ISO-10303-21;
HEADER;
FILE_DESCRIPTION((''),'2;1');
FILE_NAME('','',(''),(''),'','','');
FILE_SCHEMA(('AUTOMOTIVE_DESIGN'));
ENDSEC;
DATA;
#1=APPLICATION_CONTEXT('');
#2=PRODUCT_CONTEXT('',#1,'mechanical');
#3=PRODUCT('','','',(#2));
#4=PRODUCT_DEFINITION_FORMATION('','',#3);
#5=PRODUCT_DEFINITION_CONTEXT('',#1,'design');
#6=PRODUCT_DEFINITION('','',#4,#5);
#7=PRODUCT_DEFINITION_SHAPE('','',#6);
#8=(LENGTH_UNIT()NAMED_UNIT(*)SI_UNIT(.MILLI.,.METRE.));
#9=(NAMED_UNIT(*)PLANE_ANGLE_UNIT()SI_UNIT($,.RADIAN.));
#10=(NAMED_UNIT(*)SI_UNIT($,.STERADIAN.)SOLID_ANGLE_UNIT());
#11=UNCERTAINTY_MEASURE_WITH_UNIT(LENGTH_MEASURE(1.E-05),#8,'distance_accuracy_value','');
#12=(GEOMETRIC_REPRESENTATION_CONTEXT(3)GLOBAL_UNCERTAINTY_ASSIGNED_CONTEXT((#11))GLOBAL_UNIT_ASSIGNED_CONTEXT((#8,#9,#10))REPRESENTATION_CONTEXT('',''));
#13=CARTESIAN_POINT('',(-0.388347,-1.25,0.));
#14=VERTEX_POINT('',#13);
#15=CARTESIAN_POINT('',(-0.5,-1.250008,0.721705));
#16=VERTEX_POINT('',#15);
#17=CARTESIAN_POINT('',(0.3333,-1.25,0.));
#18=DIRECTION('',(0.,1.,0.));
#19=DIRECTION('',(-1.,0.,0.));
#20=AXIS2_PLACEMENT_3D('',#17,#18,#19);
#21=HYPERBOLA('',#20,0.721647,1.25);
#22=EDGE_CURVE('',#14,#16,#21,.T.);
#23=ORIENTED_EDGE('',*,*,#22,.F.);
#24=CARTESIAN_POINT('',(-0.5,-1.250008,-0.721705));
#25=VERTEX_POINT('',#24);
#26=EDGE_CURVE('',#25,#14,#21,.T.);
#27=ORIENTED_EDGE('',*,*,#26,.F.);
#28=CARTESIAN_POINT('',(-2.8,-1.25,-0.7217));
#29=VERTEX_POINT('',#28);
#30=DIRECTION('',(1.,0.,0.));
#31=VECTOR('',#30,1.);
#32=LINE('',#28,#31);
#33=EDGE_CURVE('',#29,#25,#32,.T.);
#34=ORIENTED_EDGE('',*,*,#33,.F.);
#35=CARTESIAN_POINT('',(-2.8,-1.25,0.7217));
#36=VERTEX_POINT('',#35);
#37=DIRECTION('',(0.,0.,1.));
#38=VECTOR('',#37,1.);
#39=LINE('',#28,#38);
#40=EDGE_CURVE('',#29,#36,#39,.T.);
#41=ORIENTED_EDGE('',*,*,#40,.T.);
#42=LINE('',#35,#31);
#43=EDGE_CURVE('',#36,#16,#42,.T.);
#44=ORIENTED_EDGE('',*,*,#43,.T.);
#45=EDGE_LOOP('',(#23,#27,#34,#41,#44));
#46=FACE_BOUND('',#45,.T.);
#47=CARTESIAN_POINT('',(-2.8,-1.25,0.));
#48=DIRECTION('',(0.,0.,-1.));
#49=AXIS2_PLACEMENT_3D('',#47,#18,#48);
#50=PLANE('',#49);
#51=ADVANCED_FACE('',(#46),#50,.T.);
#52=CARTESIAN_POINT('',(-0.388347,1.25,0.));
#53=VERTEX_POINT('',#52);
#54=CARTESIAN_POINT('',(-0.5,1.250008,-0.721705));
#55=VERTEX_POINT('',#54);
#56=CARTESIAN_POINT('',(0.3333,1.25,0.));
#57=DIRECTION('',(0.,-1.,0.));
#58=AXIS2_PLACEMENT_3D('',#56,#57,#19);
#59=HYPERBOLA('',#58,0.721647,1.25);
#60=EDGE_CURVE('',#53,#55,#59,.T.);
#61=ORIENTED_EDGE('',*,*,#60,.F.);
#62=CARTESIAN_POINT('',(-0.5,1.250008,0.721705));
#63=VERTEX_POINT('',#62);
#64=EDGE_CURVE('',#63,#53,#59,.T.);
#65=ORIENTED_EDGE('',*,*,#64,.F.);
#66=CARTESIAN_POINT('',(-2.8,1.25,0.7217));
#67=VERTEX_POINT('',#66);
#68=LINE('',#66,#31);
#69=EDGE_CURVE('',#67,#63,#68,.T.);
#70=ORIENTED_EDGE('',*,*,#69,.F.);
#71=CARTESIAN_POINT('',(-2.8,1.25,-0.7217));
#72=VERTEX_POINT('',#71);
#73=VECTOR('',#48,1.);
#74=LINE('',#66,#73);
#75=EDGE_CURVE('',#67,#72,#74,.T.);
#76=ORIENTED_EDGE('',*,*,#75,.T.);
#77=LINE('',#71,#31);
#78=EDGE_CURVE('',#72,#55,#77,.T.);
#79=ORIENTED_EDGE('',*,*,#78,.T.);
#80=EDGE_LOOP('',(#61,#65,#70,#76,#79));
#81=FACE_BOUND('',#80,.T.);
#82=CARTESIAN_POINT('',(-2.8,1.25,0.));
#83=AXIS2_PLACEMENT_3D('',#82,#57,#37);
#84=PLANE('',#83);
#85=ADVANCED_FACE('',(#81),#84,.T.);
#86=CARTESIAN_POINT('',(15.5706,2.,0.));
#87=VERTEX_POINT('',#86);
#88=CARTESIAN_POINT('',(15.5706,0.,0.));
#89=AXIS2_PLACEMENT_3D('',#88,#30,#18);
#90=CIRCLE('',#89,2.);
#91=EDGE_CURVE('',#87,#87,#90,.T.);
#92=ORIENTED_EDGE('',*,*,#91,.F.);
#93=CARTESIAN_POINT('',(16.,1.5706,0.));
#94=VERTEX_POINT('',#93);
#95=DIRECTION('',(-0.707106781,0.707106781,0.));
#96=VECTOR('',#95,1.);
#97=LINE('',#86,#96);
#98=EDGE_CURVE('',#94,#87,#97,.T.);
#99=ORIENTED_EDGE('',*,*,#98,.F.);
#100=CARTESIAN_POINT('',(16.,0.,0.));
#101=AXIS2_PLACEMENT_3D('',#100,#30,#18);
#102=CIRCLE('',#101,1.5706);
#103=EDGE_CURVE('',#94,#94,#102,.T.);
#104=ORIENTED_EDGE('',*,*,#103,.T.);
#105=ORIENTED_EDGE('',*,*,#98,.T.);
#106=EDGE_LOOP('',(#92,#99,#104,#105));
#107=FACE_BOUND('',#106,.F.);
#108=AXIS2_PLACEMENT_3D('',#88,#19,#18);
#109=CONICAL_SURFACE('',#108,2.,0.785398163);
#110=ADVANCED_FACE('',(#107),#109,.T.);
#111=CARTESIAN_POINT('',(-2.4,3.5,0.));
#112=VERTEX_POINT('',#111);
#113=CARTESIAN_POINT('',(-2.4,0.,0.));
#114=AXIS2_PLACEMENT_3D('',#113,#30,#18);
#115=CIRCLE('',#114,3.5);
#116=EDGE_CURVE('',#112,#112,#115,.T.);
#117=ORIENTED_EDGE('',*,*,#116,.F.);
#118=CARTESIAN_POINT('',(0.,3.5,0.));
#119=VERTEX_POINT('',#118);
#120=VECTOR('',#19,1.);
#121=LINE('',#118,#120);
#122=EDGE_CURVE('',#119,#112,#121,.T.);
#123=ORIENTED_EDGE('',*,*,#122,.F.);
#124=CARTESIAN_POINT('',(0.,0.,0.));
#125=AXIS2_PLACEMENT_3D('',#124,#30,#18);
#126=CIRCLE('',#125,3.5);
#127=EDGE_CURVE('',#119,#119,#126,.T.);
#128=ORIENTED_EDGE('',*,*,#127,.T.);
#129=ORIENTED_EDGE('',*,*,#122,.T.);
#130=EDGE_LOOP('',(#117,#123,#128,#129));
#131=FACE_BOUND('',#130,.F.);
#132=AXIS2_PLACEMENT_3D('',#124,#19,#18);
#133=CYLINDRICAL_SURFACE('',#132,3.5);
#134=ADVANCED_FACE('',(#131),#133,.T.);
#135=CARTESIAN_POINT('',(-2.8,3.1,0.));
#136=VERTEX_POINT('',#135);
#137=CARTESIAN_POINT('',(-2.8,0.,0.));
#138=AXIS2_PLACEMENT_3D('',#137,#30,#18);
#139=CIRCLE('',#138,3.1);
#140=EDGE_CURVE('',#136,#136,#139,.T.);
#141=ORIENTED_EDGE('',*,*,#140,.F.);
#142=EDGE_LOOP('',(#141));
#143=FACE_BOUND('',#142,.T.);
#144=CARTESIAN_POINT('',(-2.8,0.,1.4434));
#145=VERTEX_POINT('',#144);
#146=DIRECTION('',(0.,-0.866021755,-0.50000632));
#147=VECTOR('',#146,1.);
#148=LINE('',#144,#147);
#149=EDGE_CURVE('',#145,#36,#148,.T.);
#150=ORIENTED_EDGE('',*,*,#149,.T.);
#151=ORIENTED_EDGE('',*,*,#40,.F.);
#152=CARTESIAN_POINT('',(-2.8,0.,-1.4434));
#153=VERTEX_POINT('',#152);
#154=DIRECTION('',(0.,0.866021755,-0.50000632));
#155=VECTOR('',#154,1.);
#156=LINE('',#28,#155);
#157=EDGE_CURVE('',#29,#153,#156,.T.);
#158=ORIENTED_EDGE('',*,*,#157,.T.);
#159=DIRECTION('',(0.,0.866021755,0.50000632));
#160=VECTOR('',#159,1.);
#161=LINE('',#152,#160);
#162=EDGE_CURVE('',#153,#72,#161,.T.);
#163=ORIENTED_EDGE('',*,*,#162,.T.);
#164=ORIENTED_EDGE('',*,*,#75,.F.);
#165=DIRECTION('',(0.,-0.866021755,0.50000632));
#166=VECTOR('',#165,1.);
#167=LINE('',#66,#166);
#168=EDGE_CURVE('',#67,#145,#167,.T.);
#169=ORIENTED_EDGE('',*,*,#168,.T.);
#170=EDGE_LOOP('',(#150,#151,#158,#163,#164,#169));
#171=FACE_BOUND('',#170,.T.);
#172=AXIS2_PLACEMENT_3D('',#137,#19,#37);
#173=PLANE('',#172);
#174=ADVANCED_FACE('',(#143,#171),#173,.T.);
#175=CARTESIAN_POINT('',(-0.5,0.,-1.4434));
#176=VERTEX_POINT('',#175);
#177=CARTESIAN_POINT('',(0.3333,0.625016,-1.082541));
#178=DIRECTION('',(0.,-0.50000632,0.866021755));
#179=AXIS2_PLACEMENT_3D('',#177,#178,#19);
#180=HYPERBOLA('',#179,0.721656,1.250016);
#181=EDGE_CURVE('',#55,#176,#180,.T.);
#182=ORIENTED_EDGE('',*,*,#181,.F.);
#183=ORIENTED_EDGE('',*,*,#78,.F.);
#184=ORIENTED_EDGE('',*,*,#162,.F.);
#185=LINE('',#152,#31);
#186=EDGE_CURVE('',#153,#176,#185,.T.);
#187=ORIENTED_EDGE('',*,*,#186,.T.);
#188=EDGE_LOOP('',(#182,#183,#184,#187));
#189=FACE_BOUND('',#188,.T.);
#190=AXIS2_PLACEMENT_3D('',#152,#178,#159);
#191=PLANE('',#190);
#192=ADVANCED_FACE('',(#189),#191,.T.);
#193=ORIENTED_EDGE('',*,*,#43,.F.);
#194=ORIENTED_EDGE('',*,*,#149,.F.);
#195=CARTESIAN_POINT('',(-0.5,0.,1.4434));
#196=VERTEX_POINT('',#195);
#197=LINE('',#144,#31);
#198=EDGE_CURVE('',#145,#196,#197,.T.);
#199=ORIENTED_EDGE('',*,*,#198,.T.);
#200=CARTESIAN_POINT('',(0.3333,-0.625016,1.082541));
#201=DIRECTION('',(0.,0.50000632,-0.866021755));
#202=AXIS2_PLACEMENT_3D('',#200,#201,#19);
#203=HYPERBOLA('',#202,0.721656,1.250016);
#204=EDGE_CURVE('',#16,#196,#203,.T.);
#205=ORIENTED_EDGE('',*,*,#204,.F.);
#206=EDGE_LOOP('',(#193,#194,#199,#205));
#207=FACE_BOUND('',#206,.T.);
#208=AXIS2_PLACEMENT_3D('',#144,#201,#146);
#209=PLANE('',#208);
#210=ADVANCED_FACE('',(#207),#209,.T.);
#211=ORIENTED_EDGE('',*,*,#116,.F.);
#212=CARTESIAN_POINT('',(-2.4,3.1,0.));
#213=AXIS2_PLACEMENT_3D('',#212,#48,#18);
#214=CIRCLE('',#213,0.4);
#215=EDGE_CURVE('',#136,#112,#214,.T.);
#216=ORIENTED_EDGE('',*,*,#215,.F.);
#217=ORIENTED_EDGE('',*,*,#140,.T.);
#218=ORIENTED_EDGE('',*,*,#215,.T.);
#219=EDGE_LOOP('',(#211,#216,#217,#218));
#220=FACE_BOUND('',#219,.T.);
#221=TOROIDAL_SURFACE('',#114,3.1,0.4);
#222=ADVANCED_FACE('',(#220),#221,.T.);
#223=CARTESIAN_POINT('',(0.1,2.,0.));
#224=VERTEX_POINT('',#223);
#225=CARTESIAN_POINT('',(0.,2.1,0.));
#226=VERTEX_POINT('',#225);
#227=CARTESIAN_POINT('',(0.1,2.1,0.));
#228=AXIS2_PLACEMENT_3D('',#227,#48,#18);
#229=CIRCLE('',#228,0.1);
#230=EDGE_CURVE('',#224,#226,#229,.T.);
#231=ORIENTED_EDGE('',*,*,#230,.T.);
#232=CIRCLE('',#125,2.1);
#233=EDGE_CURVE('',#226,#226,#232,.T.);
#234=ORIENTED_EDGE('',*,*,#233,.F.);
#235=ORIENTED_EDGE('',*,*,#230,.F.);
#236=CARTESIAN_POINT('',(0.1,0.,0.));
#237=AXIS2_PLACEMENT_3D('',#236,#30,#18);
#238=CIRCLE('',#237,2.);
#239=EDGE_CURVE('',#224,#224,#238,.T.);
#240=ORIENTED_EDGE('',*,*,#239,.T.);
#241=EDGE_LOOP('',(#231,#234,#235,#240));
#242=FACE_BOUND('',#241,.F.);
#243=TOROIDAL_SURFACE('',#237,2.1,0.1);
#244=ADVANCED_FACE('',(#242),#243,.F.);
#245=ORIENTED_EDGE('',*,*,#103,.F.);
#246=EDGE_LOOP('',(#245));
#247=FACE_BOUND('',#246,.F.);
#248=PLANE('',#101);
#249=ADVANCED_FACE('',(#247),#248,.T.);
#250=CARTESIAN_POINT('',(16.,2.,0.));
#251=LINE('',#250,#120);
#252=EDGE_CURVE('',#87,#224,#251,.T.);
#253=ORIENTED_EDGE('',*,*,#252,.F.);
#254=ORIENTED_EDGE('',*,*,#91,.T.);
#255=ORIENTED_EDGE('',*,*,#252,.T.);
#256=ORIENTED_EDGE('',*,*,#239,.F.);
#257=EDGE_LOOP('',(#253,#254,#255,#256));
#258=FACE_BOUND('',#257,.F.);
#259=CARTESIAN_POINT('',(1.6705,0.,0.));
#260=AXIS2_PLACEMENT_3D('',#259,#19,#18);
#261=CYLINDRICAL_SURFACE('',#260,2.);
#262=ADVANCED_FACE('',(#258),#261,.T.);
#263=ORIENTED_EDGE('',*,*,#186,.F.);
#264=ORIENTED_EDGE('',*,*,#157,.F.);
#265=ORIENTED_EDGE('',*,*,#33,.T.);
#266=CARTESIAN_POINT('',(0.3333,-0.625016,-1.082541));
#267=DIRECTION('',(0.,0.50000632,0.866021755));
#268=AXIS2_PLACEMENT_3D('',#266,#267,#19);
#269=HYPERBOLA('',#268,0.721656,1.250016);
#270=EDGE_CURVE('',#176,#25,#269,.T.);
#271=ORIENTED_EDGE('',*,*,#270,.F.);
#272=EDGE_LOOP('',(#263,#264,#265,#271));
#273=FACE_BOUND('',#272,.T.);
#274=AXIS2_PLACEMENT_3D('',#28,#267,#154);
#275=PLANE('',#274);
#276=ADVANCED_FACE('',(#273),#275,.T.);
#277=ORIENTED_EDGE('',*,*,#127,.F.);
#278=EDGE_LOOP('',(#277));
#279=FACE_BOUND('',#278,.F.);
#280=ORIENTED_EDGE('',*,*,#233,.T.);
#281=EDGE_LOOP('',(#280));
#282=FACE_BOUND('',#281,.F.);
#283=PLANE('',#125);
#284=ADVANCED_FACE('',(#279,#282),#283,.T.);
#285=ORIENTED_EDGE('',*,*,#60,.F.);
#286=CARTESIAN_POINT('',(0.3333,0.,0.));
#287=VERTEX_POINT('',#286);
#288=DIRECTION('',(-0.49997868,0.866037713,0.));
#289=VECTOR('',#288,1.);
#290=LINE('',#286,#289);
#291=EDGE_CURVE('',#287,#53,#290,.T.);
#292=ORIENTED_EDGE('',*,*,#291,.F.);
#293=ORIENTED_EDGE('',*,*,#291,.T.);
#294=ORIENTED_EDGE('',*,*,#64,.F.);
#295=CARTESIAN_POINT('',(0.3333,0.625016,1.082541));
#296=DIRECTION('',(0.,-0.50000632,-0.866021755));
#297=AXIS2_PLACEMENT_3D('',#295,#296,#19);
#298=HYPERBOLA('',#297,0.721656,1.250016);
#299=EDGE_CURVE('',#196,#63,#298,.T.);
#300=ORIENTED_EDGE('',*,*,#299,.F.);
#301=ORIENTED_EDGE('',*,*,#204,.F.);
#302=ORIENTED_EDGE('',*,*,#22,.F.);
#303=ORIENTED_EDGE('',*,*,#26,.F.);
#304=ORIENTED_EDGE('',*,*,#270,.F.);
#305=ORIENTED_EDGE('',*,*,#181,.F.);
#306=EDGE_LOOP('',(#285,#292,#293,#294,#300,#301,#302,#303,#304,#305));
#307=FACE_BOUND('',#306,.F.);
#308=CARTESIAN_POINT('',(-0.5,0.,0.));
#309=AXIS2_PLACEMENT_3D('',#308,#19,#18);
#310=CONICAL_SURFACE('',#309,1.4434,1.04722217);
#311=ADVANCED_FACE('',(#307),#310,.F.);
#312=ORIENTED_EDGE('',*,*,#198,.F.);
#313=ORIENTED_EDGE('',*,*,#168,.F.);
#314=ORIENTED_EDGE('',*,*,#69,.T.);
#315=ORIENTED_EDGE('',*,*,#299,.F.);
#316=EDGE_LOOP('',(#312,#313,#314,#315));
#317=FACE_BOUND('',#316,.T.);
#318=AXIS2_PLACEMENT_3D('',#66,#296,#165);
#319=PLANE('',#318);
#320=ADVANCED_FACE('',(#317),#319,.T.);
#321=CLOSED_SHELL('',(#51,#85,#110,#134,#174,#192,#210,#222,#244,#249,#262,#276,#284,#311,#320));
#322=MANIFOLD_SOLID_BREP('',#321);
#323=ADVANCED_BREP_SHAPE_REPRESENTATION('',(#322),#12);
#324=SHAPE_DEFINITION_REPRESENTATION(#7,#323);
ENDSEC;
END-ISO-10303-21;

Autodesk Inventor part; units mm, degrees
ref_plane "YZ Plane" through (0, 0, 0) normal (1, 0, 0) x (0, 1, 0)
ref_plane "XZ Plane" through (0, 0, 0) normal (0, 1, 0) x (-1, 0, 0)
sketch "Sketch1" plane through (0, 0, 0) normal (0, 0, 1) x (1, 0, 0)
  line L0 (0.3333, 0) -> (16, 0)
  line L1 (16, 0) -> (16, 2)
  line L2 (16, 2) -> (2.1, 2)
  line L3 (2.1, 2) -> (1.6705, 2)
  line L4 (1.6705, 2) -> (0, 2)
  line L5 (0, 2) -> (0, 3.5)
  line L6 (0, 3.5) -> (-2.8, 3.5)
  line L7 (-2.8, 3.5) -> (-2.8, 1.4434)
  line L8 (-2.8, 1.4434) -> (-0.5, 1.4434)
  line L9 (-0.5, 1.4434) -> (0.3333, 0)
  line L10 (-6.56, 0) -> (19.76, 0) projected
  line L11 (0, -0.7) -> (0, 4.2) projected
  line L12 (2.1, 2) -> (0, 2) construction
  dimension "d1" = 13.9
  dimension "d2" = 0.4295
  dimension "d3" = 2.8
  dimension "d4" = 2.3
  dimension "d5" = 60
  dimension "d6" = 4
  dimension "d7" = 4
  dimension "d8" = 2.8868
  dimension "d9" = 7
  dimension "d26" = 16
revolve "Body" add sketch "Sketch1" angle 360 about axis through (0.3333, 0, 0) along (1, 0, 0) contours L9 L11 L4 L3 L2 L1 L0 | L9 L8 L7 L6 L5 L11
sketch "Sketch2" plane through (-2.8, 0, 0) normal (-1, 0, 0) x (0, 0, 1)
  circle A0 centre (0, 0) radius 1.4434 projected
  line L0 (0, -4.9) -> (0, 4.9) projected
  line L1 (-4.9, 0) -> (4.9, 0) projected
  line L2 (1.4434, 0) -> (0.7217, -1.25)
  line L3 (0.7217, -1.25) -> (-0.7217, -1.25)
  line L4 (-0.7217, -1.25) -> (-1.4434, 0)
  line L5 (-1.4434, 0) -> (-0.7217, 1.25)
  line L6 (-0.7217, 1.25) -> (0.7217, 1.25)
  line L7 (0.7217, 1.25) -> (1.4434, 0)
extrude "Slot" add sketch "Sketch2" against normal up to next contours L7 A0 | A0 L2 | L6 L0 A0 | A0 L0 L3 | L0 L6 A0 | A0 L3 L0 | L4 A0 | A0 L5
fillet "Fillet1" radius 0.4 1 edges at (-2.8, -3.5, 0)
thread "Thread" size "M4x0.7" class "6g" standard "ISO Metric profile" length 13.9
chamfer "Chamfer1" distance 0.4294 distance2 0.4294 1 edges at (16, -2, 0) measured on face at (16, 0.527, -0.2661)
ref_plane "Work Plane1" through (29, 0, 0) normal (0, -1, 0) x (1, 0, 0)
fillet "Fillet2" radius 0.1 1 edges at (0, -2, 0)
equation "\"d1\" = GEL"
equation "\"d3\" = KOH"
equation "\"d4\" = INTI"
equation "\"d6\" = GD"
equation "\"d7\" = BDM"
equation "\"d8\" = 1.1547 * SW"
equation "\"d9\" = KOD"
equation "\"d26\" = NLG"
equation "\"d30\" = R"
equation "\"d17\" = RR"
equation "\"d13\" = GEL"
equation "\"d15\" = -0.5 * SPD + 0.5 * GD"
equation "\"d16\" = GUL"
equation "\"GD\" = NND"
equation "\"NLG\" = 16"
equation "\"GEL\" = 13.9"
equation "\"KOD\" = 7"
equation "\"KOH\" = 2.8"
equation "\"INTI\" = 2.3"
equation "\"GAL\" = 0.61345 * PTC"
equation "\"GUL\" = 0.61345 * PTC"
equation "\"BDM\" = NND"
equation "\"SW\" = 2.5"
equation "\"RR\" = 0.4"
equation "\"SPD\" = NND - 1.2269 * PTC"
equation "\"R\" = 0.1"
equation "\"TOA\" = 30deg"
equation "\"GD1\" = THREADDIA - 1.2269 * PTC"
equation "\"THREADDIA\" = 4"
equation "\"FAWI\" = 45deg"
equation "\"ANG\" = 120deg"
equation "\"PTC\" = 0.7"
equation "\"NND\" = 4"
equation "\"E0\" = 1.155 * SW"
properties part number "DIN 7984 - M4 x 16" material "Steel, Mild"
